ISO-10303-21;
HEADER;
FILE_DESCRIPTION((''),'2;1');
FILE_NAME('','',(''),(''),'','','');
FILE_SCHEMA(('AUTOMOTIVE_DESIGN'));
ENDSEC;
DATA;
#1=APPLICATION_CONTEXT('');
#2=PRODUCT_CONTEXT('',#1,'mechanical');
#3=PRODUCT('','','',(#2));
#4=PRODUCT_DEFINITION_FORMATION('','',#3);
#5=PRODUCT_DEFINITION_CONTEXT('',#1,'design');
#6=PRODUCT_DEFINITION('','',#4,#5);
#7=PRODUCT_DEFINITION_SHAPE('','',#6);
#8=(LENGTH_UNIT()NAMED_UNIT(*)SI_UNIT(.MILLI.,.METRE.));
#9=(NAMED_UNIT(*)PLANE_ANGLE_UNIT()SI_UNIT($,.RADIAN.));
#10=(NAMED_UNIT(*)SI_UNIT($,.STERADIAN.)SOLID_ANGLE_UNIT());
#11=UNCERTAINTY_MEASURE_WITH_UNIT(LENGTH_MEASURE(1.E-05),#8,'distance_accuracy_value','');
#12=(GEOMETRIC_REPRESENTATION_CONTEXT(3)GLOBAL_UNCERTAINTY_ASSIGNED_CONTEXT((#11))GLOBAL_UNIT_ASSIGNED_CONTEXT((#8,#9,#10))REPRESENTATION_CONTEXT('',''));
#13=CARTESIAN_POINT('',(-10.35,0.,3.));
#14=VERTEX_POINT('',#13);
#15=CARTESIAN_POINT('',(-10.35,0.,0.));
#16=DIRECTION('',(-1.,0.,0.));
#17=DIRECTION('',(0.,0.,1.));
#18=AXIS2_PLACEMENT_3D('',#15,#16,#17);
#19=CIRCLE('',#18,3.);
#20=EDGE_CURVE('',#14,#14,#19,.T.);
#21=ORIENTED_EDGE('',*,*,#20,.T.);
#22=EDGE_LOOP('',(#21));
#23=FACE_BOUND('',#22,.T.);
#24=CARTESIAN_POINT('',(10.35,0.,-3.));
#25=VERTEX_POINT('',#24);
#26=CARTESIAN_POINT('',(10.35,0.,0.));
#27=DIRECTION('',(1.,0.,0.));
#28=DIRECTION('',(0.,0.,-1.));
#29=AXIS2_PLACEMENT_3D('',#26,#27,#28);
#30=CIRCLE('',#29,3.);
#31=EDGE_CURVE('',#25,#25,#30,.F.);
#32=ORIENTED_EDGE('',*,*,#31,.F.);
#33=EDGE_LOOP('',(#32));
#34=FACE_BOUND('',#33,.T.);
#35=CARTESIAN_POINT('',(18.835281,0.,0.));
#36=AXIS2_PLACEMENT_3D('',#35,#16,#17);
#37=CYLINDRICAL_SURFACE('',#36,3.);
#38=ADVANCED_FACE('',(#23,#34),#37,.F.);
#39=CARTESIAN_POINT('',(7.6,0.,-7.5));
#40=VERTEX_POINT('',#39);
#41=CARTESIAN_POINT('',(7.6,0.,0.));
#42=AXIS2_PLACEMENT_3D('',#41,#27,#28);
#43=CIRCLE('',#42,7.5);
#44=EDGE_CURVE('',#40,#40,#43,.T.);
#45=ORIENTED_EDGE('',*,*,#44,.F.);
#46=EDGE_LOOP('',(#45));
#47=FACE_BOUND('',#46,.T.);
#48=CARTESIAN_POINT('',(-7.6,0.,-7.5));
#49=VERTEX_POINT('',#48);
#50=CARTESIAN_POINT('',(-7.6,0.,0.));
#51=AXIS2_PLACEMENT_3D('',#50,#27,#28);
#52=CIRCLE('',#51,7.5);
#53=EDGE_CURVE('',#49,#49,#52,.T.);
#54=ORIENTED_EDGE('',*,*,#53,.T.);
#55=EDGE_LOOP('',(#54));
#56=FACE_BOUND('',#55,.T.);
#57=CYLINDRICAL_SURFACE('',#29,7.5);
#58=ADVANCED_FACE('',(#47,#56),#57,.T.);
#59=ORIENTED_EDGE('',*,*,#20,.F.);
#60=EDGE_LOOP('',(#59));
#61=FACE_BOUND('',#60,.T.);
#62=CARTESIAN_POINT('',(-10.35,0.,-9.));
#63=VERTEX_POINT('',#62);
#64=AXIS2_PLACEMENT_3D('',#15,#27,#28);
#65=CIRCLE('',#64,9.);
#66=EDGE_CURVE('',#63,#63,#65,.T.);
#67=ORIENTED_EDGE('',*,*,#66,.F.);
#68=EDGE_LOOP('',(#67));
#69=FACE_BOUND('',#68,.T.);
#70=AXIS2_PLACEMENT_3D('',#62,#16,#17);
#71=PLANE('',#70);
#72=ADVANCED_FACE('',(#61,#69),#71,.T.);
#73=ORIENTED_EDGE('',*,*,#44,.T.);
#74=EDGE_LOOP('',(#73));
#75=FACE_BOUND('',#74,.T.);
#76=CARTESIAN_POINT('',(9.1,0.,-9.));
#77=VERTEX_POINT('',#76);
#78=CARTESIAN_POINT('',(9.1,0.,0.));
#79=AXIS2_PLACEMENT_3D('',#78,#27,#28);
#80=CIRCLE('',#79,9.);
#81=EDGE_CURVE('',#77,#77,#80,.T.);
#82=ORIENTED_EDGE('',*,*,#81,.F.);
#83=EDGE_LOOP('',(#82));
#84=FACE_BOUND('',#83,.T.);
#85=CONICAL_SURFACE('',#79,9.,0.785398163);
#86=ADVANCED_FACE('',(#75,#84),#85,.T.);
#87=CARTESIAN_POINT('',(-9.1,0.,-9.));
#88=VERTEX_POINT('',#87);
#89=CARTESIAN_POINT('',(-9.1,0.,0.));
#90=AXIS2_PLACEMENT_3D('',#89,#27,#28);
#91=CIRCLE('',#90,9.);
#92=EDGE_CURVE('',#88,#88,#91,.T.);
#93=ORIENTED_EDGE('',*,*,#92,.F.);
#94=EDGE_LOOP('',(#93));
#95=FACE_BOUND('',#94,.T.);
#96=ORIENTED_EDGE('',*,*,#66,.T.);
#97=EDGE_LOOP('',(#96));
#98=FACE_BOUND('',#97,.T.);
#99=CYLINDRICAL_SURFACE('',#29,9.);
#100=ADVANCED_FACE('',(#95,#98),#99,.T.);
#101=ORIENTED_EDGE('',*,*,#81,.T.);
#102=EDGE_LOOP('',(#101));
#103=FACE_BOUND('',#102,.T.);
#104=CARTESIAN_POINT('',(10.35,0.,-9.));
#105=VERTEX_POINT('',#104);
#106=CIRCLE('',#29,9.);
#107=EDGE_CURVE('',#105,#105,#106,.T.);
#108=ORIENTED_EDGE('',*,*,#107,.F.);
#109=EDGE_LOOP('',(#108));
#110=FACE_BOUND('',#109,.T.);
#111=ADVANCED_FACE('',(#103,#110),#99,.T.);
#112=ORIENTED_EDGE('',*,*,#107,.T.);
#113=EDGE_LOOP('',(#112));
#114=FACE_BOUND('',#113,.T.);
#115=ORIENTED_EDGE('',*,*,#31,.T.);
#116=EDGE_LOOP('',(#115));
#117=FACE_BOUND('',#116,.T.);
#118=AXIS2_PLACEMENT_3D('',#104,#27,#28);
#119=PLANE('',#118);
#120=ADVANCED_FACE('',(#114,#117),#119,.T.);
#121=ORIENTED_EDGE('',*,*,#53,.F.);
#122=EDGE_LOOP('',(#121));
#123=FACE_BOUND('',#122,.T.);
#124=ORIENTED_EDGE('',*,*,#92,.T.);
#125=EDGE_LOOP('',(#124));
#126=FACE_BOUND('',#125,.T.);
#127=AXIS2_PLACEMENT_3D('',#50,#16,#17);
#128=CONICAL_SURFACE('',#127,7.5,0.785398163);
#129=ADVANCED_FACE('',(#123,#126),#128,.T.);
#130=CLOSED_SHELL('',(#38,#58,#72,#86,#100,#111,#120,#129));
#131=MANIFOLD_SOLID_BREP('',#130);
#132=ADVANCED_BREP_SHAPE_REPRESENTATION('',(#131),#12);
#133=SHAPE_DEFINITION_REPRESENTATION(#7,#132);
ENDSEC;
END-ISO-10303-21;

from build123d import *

# Parameters (mm, degrees)
SKETCH3_R          = 3
CUT_EXTRUDE1_DEPTH = 20.7


with BuildPart() as part:
    # Sketch2 → Revolve1 (revolve)
    with BuildSketch(Plane(origin=(0, 0, 0), x_dir=(1, 0, 0), z_dir=(0, 1, 0))):
        Polygon((-10.35, 9), (-9.1, 9), (-7.6, 7.5), (7.6, 7.5), (9.1, 9), (10.35, 9), (10.35, 0), (-10.35, 0), align=None)
    revolve(axis=Axis((10.35, 0, 0), (-1, 0, 0)))

    # Sketch3 → Cut-Extrude1 (cut)
    with BuildSketch(Plane.ZY.offset(10.35)):
        Circle(SKETCH3_R)
    extrude(amount=-CUT_EXTRUDE1_DEPTH, mode=Mode.SUBTRACT)


solid = part.part
